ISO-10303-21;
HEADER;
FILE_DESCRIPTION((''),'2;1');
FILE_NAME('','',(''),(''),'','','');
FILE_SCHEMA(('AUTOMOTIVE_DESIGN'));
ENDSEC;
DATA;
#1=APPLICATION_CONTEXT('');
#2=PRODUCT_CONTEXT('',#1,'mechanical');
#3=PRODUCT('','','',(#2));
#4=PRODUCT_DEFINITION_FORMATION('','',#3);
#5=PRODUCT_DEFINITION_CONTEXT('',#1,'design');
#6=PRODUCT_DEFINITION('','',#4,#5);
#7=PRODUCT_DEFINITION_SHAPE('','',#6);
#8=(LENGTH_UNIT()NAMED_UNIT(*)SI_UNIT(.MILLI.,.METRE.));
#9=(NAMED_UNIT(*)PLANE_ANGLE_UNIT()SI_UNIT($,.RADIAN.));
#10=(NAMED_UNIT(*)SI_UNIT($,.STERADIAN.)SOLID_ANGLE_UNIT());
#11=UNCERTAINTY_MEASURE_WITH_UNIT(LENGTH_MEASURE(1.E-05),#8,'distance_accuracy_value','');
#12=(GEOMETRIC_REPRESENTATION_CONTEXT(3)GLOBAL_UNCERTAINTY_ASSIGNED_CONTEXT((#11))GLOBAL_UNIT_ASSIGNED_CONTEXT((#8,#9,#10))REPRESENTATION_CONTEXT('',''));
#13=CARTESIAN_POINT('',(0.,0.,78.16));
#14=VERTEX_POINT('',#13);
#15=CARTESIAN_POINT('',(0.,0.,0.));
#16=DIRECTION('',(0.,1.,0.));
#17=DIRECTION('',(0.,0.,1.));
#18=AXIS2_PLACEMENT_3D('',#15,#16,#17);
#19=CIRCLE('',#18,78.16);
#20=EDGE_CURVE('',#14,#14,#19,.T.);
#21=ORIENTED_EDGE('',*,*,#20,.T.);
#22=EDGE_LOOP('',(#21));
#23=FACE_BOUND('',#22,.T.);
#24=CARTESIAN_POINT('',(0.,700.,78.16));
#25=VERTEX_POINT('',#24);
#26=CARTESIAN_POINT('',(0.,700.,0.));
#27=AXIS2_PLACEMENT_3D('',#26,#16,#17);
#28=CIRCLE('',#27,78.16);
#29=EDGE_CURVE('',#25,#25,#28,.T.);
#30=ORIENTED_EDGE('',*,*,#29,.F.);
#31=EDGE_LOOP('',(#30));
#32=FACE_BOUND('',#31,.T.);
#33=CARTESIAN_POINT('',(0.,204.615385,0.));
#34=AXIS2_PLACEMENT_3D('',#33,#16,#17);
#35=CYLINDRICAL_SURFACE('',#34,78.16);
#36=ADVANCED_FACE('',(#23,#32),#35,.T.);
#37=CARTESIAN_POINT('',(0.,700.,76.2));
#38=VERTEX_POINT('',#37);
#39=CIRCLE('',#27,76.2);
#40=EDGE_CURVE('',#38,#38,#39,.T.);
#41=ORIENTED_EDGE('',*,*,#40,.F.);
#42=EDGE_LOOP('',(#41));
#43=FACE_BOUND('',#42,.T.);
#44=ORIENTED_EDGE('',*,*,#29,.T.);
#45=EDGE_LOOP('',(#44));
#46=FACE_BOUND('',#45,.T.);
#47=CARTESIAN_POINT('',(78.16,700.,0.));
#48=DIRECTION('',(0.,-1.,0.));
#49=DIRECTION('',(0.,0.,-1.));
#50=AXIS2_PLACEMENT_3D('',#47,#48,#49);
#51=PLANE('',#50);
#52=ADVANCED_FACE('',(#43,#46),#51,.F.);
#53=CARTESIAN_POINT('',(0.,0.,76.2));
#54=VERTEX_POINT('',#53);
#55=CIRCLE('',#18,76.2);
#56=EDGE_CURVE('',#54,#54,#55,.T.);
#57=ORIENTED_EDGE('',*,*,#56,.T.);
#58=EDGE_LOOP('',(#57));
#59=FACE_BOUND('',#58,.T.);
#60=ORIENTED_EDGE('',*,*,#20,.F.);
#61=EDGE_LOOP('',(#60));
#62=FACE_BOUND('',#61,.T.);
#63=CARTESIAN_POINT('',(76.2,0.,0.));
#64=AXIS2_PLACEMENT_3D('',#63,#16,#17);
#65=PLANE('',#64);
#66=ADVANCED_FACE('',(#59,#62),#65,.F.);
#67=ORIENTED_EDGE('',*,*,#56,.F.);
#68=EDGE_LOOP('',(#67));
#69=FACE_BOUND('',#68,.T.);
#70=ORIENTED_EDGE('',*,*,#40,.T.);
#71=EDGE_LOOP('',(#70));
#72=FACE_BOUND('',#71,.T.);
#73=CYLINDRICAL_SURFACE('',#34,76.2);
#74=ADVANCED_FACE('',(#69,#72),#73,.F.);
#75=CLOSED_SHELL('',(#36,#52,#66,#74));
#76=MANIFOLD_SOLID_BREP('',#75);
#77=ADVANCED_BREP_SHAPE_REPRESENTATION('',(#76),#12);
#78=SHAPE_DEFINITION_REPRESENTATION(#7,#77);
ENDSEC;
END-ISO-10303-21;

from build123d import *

# Parameters (mm, degrees)
SKETCH1_W = 1.96
SKETCH1_H = 700


with BuildPart() as part:
    # Sketch1 → Revolve1 (revolve)
    with BuildSketch(Plane.XY, mode=Mode.PRIVATE) as revolve1_sk:
        with Locations((77.18, 350)):
            Rectangle(SKETCH1_W, SKETCH1_H)
    revolve(revolve1_sk.sketch.rotate(Axis((0, 204.615384615, 0), (0, -1, 0)), 90), axis=Axis((0, 204.615384615, 0), (0, -1, 0)))


solid = part.part
